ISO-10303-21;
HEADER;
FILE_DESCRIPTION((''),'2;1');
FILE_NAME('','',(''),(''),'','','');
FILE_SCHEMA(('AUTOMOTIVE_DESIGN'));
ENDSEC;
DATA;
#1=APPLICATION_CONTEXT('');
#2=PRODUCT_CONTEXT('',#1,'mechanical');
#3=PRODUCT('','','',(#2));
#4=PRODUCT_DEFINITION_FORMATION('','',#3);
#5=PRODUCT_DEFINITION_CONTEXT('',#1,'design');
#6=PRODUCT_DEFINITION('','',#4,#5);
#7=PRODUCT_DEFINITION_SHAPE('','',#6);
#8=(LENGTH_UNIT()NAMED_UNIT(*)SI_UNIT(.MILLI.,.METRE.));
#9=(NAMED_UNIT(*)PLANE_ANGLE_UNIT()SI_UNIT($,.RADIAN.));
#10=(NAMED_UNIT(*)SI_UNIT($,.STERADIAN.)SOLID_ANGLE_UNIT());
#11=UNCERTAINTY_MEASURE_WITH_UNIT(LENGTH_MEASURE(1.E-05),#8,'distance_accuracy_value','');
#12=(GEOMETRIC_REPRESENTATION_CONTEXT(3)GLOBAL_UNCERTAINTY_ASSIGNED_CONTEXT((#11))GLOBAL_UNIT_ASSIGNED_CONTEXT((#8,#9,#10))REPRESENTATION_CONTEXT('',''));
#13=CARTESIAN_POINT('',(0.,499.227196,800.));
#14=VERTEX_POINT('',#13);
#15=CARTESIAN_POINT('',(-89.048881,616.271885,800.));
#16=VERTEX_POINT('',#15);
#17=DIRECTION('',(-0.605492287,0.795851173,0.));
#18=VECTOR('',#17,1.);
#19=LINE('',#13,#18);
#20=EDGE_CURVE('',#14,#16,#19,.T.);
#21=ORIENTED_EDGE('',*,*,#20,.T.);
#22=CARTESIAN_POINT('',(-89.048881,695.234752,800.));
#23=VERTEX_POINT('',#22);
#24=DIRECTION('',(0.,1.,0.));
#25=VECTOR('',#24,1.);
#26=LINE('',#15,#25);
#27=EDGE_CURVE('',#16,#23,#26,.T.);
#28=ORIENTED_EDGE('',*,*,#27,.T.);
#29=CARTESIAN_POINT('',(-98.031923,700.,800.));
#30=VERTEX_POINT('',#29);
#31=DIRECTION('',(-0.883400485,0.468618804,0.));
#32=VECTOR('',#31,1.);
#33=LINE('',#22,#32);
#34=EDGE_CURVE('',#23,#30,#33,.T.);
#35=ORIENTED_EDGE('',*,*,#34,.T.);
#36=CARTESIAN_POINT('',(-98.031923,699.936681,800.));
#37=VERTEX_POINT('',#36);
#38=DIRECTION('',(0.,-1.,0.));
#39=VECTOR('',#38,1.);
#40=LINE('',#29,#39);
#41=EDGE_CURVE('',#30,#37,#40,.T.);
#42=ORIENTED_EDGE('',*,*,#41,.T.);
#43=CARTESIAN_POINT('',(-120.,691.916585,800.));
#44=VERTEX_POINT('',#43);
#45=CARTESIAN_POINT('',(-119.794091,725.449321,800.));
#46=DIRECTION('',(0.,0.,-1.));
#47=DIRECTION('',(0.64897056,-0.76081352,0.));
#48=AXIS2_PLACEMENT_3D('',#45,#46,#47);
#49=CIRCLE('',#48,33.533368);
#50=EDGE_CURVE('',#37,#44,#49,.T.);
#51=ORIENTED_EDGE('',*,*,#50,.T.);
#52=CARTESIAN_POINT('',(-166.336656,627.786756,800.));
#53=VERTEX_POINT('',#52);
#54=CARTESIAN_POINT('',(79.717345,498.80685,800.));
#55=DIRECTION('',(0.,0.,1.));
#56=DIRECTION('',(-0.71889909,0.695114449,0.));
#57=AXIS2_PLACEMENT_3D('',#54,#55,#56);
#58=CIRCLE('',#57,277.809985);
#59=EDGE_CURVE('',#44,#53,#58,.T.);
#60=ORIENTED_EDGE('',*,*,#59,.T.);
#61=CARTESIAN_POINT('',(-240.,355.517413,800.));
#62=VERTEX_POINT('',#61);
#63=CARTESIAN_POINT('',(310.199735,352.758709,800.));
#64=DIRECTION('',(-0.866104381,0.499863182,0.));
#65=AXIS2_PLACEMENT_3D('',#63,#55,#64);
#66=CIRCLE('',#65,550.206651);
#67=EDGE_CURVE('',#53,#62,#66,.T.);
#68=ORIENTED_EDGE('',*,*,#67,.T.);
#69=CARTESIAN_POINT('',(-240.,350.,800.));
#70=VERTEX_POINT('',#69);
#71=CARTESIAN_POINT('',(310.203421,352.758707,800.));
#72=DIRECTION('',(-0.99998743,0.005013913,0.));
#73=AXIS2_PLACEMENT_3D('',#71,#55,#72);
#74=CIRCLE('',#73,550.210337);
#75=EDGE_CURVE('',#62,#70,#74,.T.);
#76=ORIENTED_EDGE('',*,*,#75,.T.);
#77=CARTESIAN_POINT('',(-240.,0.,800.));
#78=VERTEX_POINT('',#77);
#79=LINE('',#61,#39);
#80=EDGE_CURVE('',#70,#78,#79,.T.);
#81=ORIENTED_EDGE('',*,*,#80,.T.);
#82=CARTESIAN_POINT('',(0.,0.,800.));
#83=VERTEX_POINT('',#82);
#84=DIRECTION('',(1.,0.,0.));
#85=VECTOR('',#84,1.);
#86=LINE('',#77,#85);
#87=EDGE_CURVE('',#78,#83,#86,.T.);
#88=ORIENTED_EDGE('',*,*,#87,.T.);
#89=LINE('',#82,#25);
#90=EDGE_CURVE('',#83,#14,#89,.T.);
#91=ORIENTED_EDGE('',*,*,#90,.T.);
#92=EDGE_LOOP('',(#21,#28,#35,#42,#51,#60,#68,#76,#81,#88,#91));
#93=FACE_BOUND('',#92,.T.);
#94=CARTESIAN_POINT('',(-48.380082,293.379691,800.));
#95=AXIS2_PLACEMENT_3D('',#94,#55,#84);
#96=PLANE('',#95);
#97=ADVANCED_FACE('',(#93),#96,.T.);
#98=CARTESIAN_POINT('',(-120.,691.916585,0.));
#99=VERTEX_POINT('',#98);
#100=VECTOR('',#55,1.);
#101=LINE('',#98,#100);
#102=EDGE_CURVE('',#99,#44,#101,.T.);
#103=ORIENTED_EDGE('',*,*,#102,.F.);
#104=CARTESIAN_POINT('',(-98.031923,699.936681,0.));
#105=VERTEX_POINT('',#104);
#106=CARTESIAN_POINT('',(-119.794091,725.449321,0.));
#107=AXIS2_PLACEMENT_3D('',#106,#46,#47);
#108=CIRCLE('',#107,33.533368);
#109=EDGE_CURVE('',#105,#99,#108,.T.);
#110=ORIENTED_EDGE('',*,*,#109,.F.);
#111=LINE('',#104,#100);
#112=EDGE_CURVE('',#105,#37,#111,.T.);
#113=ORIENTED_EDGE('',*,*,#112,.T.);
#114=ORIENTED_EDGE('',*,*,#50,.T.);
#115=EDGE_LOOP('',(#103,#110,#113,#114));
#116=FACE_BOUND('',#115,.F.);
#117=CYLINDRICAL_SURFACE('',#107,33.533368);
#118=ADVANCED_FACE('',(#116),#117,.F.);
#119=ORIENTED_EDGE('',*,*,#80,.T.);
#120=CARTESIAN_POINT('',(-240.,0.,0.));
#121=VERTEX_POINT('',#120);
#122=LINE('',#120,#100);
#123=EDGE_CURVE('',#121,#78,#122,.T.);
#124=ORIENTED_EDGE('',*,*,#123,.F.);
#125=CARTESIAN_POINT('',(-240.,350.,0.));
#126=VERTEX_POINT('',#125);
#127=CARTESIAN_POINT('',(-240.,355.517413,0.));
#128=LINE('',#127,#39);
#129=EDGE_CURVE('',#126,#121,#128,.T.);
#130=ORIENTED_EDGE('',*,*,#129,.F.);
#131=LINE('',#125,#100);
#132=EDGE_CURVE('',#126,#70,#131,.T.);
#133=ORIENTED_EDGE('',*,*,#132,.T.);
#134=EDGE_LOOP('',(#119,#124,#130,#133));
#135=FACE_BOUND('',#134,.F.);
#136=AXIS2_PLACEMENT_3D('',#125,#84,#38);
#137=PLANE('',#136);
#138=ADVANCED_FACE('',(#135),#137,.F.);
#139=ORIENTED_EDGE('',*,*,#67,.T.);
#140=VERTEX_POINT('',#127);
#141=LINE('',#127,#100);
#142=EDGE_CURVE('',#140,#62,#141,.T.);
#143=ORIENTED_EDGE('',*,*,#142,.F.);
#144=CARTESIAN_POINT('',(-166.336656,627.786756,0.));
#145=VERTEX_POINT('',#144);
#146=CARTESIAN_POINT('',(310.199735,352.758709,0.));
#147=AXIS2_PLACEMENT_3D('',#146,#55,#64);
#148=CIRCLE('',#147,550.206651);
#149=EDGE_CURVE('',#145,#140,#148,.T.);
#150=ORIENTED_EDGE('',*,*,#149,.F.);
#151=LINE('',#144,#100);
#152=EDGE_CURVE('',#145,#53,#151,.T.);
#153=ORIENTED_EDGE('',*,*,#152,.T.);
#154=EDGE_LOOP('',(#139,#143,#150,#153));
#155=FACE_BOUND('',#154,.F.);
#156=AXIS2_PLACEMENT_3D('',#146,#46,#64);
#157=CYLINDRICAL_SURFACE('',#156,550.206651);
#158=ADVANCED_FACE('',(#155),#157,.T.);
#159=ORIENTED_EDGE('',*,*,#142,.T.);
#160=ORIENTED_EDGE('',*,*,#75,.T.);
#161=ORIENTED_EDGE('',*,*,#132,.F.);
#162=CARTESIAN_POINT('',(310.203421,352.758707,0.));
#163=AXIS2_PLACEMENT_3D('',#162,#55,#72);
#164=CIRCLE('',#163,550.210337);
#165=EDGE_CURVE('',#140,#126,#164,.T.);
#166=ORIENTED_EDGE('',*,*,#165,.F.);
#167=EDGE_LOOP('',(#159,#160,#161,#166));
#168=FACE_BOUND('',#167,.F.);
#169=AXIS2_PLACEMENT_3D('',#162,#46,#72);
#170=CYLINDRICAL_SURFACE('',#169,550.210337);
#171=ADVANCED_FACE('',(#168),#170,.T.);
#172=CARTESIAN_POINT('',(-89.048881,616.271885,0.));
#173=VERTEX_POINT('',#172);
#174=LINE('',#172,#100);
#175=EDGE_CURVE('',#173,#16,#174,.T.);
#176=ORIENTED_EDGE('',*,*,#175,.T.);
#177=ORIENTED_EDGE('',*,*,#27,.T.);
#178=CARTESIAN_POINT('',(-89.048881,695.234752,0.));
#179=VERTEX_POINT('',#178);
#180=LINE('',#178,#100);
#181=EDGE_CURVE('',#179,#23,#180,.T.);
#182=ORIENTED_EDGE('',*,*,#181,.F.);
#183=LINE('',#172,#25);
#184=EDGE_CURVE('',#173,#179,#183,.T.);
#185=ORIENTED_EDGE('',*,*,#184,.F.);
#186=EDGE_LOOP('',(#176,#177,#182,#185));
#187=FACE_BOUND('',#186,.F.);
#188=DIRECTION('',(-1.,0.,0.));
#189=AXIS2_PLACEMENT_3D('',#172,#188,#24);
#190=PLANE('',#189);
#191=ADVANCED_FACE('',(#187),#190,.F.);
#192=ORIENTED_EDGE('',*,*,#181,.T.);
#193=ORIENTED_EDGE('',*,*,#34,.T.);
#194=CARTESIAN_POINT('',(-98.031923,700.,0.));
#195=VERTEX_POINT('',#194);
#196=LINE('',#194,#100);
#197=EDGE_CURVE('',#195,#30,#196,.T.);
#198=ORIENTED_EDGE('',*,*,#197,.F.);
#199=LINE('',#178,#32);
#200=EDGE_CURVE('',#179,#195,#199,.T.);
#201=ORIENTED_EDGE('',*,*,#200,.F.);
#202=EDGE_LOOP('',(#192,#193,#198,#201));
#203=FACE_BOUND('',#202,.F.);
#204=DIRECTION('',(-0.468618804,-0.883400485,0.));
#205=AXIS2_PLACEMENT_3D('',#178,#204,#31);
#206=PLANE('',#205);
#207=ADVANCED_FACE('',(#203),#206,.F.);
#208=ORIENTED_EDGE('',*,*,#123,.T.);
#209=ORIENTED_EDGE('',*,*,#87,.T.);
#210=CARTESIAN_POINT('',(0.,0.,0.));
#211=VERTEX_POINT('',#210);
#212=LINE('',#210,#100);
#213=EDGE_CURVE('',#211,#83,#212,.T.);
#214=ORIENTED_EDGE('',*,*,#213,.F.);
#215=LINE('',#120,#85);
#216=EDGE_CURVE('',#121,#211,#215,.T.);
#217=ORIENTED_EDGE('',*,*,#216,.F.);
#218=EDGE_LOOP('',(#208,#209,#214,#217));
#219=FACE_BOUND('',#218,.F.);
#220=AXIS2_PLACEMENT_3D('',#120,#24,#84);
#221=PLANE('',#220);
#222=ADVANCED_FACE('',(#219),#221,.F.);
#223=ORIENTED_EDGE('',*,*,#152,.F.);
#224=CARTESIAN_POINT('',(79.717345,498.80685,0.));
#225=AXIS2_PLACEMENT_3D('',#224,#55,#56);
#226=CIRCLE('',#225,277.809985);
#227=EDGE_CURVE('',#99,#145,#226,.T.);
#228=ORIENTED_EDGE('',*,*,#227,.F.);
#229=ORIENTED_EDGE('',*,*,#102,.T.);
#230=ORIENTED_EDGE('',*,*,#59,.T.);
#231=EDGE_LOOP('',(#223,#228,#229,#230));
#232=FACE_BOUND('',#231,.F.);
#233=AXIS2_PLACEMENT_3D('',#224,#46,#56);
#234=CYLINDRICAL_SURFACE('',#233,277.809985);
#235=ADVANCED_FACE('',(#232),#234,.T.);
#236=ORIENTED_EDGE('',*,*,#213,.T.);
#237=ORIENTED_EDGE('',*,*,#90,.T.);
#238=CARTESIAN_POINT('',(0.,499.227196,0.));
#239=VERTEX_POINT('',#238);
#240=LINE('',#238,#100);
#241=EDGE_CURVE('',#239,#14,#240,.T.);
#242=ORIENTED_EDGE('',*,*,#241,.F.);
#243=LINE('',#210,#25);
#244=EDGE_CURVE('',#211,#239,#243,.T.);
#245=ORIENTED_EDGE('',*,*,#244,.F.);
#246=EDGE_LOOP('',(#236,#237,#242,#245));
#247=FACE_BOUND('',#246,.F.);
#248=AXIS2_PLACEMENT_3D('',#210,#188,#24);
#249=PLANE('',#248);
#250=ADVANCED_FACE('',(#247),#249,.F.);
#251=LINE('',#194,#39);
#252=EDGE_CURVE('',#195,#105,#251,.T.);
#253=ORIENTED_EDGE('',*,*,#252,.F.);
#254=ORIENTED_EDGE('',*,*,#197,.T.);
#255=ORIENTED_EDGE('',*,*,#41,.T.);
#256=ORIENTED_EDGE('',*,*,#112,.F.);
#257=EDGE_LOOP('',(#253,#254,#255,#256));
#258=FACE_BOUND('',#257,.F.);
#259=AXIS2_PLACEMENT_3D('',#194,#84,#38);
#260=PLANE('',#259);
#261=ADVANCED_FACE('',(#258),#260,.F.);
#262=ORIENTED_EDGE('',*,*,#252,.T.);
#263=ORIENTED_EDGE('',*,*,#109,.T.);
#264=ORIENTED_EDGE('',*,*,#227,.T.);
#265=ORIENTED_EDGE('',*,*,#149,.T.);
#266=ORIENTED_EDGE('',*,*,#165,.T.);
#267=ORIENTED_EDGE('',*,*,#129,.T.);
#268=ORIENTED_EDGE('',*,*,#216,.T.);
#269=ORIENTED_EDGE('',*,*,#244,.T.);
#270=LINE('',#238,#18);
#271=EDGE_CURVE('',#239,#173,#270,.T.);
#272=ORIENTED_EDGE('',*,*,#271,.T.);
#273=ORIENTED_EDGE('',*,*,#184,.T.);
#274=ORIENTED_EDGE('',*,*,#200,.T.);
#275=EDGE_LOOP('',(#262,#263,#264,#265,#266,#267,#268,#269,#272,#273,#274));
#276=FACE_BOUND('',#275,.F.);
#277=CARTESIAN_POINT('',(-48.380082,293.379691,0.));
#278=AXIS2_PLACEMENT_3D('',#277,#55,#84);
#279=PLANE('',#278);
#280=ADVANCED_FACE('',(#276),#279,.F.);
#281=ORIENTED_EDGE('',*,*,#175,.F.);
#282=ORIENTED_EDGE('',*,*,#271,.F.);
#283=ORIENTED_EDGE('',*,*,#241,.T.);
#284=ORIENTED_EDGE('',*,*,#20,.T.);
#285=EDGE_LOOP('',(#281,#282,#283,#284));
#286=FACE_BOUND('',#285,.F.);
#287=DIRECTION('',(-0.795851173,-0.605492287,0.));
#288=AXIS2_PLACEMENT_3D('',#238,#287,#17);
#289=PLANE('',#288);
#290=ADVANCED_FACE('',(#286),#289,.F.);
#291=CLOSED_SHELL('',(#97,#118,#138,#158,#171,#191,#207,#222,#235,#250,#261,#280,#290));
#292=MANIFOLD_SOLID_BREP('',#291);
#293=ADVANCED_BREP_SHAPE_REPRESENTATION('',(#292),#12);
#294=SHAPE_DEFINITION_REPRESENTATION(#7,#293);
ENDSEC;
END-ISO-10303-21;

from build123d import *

# Parameters (mm, degrees)
F1_DEPTH = 800


with BuildPart() as f1:
    # F0 (on Top) → F1 (new body)
    with BuildSketch(Plane.XY):
        Polygon((-89.048881, 0), (0, 0), (0, 499.227196), (-89.048881, 616.271885), align=None)
        Polygon((-98.031923, 0), (-89.048881, 0), (-89.048881, 616.271885), (-89.048881, 695.234752), (-98.031923, 700), (-98.031923, 699.936681), align=None)
        with BuildLine():
            Line((-120, 0), (-98.031923, 0))
            Line((-98.031923, 0), (-98.031923, 699.936681))
            ThreePointArc((-98.031923, 699.936681), (-108.294154, 693.949508), (-120, 691.916585))
            Line((-120, 691.916585), (-120, 0))
        make_face()
        with BuildLine():
            Line((-240, 0), (-120, 0))
            Line((-120, 0), (-120, 691.916585))
            ThreePointArc((-120, 691.916585), (-145.462987, 661.509664), (-166.336656, 627.786756))
            ThreePointArc((-166.336656, 627.786756), (-220.911757, 496.452626), (-240, 355.517413))
            Line((-240, 355.517413), (-240, 350))
            Line((-240, 350), (-240, 0))
        make_face()
        with BuildLine():
            ThreePointArc((-240, 355.517413), (-240.006916, 352.758707), (-240, 350))
            Line((-240, 350), (-240, 355.517413))
        make_face()
    extrude(amount=F1_DEPTH)


solid = f1.part
